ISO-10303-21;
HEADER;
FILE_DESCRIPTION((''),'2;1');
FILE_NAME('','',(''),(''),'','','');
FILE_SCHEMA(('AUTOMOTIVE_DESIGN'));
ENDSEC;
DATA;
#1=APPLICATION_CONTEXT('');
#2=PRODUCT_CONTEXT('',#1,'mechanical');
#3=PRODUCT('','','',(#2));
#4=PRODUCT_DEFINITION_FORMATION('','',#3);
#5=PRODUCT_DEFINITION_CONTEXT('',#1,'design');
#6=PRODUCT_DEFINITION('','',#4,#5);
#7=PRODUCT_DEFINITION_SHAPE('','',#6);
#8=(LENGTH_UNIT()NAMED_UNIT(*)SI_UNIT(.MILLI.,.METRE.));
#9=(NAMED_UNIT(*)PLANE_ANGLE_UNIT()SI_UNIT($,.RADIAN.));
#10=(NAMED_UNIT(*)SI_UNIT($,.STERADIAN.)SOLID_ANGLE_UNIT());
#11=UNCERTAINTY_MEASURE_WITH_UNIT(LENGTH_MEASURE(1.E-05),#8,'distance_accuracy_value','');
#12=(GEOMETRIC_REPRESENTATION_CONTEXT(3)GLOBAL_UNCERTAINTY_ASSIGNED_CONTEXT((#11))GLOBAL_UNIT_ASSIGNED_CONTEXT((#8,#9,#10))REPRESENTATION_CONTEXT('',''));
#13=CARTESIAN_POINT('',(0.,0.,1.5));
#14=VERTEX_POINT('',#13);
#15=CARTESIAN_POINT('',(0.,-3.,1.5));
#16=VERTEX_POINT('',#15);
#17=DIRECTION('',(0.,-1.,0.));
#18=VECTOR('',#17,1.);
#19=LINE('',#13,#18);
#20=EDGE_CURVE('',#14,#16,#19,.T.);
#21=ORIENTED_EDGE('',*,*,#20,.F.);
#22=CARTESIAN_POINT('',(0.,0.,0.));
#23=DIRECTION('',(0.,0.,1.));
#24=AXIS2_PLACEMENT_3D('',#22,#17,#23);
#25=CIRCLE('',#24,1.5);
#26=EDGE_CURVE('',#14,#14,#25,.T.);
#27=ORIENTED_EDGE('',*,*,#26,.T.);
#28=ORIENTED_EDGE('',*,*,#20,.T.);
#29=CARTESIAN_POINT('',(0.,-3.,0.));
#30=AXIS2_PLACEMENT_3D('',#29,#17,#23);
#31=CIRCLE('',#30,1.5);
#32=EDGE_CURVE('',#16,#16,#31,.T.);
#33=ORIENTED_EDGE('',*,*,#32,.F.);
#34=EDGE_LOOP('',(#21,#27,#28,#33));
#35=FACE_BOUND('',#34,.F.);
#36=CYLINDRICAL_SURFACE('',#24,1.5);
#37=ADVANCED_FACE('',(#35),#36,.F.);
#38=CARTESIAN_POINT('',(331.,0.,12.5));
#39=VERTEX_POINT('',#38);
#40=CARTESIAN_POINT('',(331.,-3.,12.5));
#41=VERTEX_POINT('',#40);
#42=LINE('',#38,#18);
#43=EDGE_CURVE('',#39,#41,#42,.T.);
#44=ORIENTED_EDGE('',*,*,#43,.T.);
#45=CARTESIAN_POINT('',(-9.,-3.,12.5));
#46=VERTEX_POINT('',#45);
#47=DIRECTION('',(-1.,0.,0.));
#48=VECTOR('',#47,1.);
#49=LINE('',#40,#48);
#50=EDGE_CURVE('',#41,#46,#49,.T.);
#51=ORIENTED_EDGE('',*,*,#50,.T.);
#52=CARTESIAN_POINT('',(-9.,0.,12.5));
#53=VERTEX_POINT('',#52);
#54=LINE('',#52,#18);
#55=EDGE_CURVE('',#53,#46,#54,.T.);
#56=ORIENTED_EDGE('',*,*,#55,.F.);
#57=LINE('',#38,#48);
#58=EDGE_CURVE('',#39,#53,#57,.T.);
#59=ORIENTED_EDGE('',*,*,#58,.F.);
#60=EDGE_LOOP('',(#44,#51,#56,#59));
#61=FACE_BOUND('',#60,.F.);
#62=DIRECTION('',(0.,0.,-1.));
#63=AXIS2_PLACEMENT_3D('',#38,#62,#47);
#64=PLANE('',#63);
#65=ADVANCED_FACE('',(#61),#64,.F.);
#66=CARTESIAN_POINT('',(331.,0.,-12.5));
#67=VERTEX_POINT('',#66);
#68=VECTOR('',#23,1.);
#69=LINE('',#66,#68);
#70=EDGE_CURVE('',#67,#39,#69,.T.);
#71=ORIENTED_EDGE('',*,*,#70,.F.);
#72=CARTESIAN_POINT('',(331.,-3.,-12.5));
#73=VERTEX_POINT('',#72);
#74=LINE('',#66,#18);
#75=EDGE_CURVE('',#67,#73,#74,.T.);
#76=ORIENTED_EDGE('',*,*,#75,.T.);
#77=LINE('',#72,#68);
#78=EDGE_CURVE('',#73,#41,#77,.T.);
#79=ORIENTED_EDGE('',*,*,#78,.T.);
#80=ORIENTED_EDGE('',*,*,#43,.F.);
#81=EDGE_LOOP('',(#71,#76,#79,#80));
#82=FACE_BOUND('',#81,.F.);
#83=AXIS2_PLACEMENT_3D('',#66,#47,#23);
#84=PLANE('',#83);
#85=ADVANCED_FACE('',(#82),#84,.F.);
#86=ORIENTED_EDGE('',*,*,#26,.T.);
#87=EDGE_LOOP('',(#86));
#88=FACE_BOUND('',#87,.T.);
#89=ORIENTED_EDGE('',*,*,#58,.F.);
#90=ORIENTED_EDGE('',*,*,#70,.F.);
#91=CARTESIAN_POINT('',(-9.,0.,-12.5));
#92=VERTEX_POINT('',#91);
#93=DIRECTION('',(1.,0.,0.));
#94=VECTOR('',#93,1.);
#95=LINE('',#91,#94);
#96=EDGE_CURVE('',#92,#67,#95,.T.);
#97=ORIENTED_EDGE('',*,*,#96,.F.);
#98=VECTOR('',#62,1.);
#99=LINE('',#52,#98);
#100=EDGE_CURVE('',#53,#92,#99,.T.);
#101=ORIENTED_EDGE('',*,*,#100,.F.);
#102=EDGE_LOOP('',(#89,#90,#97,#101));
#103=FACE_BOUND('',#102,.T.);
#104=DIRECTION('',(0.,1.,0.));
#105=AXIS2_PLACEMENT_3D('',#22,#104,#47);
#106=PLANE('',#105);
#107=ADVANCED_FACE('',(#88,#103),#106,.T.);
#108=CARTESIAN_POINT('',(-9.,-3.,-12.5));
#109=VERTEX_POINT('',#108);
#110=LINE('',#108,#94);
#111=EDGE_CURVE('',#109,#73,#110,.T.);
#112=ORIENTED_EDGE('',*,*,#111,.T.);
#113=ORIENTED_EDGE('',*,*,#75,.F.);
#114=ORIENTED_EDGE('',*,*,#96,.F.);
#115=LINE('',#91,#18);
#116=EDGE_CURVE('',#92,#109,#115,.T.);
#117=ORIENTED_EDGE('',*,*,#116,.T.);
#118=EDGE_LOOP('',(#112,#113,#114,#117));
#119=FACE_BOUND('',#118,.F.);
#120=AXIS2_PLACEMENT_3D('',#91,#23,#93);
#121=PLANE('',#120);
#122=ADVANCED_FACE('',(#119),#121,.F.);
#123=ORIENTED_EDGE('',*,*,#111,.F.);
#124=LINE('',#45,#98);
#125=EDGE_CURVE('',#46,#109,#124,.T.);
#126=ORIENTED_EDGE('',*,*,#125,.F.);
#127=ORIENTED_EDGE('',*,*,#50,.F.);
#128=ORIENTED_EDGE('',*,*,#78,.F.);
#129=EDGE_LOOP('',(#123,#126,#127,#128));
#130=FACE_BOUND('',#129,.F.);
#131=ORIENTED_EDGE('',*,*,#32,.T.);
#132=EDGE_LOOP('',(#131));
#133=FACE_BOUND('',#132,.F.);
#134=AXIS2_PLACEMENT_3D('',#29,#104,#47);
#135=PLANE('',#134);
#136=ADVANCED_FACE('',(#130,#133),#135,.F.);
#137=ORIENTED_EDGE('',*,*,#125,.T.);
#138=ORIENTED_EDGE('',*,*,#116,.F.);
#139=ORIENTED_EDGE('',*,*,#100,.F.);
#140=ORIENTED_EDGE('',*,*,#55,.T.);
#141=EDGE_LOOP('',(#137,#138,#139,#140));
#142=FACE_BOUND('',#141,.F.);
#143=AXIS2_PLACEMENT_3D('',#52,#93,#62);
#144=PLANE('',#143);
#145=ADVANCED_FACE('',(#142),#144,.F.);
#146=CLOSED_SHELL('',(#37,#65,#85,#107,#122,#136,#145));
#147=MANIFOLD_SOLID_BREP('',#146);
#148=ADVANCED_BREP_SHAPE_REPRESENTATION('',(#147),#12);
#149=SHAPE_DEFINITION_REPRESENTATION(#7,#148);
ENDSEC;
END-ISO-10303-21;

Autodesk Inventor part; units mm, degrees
ref_plane "YZ Plane" through (0, 0, 0) normal (1, 0, 0) x (0, 1, 0)
ref_plane "XZ Plane" through (0, 0, 0) normal (0, 1, 0) x (-1, 0, 0)
ref_plane "XY Plane" through (0, 0, 0) normal (0, 0, 1) x (1, 0, 0)
sketch "Sketch1" plane through (0, 0, 0) normal (0, 1, 0) x (-1, 0, 0)
  line L0 (-331, 12.5) -> (9, 12.5)
  line L1 (9, 12.5) -> (9, -12.5)
  line L2 (9, -12.5) -> (-331, -12.5)
  line L3 (-331, -12.5) -> (-331, 12.5)
  line L4 (-399, 0) -> (77, 0) construction
  point P0 (0, 0)
  point P1 (9, 0)
  dimension "d0" = 340
  dimension "d1" = 25
  dimension "d2" = 9
extrude "Extrusion1" add sketch "Sketch1" against normal blind 3
hole "Hole1" at (0, 0, 0) direction (0, -1, 0) diameter 3 end through all
properties part number "LIVER" material "Steel, Mild"
